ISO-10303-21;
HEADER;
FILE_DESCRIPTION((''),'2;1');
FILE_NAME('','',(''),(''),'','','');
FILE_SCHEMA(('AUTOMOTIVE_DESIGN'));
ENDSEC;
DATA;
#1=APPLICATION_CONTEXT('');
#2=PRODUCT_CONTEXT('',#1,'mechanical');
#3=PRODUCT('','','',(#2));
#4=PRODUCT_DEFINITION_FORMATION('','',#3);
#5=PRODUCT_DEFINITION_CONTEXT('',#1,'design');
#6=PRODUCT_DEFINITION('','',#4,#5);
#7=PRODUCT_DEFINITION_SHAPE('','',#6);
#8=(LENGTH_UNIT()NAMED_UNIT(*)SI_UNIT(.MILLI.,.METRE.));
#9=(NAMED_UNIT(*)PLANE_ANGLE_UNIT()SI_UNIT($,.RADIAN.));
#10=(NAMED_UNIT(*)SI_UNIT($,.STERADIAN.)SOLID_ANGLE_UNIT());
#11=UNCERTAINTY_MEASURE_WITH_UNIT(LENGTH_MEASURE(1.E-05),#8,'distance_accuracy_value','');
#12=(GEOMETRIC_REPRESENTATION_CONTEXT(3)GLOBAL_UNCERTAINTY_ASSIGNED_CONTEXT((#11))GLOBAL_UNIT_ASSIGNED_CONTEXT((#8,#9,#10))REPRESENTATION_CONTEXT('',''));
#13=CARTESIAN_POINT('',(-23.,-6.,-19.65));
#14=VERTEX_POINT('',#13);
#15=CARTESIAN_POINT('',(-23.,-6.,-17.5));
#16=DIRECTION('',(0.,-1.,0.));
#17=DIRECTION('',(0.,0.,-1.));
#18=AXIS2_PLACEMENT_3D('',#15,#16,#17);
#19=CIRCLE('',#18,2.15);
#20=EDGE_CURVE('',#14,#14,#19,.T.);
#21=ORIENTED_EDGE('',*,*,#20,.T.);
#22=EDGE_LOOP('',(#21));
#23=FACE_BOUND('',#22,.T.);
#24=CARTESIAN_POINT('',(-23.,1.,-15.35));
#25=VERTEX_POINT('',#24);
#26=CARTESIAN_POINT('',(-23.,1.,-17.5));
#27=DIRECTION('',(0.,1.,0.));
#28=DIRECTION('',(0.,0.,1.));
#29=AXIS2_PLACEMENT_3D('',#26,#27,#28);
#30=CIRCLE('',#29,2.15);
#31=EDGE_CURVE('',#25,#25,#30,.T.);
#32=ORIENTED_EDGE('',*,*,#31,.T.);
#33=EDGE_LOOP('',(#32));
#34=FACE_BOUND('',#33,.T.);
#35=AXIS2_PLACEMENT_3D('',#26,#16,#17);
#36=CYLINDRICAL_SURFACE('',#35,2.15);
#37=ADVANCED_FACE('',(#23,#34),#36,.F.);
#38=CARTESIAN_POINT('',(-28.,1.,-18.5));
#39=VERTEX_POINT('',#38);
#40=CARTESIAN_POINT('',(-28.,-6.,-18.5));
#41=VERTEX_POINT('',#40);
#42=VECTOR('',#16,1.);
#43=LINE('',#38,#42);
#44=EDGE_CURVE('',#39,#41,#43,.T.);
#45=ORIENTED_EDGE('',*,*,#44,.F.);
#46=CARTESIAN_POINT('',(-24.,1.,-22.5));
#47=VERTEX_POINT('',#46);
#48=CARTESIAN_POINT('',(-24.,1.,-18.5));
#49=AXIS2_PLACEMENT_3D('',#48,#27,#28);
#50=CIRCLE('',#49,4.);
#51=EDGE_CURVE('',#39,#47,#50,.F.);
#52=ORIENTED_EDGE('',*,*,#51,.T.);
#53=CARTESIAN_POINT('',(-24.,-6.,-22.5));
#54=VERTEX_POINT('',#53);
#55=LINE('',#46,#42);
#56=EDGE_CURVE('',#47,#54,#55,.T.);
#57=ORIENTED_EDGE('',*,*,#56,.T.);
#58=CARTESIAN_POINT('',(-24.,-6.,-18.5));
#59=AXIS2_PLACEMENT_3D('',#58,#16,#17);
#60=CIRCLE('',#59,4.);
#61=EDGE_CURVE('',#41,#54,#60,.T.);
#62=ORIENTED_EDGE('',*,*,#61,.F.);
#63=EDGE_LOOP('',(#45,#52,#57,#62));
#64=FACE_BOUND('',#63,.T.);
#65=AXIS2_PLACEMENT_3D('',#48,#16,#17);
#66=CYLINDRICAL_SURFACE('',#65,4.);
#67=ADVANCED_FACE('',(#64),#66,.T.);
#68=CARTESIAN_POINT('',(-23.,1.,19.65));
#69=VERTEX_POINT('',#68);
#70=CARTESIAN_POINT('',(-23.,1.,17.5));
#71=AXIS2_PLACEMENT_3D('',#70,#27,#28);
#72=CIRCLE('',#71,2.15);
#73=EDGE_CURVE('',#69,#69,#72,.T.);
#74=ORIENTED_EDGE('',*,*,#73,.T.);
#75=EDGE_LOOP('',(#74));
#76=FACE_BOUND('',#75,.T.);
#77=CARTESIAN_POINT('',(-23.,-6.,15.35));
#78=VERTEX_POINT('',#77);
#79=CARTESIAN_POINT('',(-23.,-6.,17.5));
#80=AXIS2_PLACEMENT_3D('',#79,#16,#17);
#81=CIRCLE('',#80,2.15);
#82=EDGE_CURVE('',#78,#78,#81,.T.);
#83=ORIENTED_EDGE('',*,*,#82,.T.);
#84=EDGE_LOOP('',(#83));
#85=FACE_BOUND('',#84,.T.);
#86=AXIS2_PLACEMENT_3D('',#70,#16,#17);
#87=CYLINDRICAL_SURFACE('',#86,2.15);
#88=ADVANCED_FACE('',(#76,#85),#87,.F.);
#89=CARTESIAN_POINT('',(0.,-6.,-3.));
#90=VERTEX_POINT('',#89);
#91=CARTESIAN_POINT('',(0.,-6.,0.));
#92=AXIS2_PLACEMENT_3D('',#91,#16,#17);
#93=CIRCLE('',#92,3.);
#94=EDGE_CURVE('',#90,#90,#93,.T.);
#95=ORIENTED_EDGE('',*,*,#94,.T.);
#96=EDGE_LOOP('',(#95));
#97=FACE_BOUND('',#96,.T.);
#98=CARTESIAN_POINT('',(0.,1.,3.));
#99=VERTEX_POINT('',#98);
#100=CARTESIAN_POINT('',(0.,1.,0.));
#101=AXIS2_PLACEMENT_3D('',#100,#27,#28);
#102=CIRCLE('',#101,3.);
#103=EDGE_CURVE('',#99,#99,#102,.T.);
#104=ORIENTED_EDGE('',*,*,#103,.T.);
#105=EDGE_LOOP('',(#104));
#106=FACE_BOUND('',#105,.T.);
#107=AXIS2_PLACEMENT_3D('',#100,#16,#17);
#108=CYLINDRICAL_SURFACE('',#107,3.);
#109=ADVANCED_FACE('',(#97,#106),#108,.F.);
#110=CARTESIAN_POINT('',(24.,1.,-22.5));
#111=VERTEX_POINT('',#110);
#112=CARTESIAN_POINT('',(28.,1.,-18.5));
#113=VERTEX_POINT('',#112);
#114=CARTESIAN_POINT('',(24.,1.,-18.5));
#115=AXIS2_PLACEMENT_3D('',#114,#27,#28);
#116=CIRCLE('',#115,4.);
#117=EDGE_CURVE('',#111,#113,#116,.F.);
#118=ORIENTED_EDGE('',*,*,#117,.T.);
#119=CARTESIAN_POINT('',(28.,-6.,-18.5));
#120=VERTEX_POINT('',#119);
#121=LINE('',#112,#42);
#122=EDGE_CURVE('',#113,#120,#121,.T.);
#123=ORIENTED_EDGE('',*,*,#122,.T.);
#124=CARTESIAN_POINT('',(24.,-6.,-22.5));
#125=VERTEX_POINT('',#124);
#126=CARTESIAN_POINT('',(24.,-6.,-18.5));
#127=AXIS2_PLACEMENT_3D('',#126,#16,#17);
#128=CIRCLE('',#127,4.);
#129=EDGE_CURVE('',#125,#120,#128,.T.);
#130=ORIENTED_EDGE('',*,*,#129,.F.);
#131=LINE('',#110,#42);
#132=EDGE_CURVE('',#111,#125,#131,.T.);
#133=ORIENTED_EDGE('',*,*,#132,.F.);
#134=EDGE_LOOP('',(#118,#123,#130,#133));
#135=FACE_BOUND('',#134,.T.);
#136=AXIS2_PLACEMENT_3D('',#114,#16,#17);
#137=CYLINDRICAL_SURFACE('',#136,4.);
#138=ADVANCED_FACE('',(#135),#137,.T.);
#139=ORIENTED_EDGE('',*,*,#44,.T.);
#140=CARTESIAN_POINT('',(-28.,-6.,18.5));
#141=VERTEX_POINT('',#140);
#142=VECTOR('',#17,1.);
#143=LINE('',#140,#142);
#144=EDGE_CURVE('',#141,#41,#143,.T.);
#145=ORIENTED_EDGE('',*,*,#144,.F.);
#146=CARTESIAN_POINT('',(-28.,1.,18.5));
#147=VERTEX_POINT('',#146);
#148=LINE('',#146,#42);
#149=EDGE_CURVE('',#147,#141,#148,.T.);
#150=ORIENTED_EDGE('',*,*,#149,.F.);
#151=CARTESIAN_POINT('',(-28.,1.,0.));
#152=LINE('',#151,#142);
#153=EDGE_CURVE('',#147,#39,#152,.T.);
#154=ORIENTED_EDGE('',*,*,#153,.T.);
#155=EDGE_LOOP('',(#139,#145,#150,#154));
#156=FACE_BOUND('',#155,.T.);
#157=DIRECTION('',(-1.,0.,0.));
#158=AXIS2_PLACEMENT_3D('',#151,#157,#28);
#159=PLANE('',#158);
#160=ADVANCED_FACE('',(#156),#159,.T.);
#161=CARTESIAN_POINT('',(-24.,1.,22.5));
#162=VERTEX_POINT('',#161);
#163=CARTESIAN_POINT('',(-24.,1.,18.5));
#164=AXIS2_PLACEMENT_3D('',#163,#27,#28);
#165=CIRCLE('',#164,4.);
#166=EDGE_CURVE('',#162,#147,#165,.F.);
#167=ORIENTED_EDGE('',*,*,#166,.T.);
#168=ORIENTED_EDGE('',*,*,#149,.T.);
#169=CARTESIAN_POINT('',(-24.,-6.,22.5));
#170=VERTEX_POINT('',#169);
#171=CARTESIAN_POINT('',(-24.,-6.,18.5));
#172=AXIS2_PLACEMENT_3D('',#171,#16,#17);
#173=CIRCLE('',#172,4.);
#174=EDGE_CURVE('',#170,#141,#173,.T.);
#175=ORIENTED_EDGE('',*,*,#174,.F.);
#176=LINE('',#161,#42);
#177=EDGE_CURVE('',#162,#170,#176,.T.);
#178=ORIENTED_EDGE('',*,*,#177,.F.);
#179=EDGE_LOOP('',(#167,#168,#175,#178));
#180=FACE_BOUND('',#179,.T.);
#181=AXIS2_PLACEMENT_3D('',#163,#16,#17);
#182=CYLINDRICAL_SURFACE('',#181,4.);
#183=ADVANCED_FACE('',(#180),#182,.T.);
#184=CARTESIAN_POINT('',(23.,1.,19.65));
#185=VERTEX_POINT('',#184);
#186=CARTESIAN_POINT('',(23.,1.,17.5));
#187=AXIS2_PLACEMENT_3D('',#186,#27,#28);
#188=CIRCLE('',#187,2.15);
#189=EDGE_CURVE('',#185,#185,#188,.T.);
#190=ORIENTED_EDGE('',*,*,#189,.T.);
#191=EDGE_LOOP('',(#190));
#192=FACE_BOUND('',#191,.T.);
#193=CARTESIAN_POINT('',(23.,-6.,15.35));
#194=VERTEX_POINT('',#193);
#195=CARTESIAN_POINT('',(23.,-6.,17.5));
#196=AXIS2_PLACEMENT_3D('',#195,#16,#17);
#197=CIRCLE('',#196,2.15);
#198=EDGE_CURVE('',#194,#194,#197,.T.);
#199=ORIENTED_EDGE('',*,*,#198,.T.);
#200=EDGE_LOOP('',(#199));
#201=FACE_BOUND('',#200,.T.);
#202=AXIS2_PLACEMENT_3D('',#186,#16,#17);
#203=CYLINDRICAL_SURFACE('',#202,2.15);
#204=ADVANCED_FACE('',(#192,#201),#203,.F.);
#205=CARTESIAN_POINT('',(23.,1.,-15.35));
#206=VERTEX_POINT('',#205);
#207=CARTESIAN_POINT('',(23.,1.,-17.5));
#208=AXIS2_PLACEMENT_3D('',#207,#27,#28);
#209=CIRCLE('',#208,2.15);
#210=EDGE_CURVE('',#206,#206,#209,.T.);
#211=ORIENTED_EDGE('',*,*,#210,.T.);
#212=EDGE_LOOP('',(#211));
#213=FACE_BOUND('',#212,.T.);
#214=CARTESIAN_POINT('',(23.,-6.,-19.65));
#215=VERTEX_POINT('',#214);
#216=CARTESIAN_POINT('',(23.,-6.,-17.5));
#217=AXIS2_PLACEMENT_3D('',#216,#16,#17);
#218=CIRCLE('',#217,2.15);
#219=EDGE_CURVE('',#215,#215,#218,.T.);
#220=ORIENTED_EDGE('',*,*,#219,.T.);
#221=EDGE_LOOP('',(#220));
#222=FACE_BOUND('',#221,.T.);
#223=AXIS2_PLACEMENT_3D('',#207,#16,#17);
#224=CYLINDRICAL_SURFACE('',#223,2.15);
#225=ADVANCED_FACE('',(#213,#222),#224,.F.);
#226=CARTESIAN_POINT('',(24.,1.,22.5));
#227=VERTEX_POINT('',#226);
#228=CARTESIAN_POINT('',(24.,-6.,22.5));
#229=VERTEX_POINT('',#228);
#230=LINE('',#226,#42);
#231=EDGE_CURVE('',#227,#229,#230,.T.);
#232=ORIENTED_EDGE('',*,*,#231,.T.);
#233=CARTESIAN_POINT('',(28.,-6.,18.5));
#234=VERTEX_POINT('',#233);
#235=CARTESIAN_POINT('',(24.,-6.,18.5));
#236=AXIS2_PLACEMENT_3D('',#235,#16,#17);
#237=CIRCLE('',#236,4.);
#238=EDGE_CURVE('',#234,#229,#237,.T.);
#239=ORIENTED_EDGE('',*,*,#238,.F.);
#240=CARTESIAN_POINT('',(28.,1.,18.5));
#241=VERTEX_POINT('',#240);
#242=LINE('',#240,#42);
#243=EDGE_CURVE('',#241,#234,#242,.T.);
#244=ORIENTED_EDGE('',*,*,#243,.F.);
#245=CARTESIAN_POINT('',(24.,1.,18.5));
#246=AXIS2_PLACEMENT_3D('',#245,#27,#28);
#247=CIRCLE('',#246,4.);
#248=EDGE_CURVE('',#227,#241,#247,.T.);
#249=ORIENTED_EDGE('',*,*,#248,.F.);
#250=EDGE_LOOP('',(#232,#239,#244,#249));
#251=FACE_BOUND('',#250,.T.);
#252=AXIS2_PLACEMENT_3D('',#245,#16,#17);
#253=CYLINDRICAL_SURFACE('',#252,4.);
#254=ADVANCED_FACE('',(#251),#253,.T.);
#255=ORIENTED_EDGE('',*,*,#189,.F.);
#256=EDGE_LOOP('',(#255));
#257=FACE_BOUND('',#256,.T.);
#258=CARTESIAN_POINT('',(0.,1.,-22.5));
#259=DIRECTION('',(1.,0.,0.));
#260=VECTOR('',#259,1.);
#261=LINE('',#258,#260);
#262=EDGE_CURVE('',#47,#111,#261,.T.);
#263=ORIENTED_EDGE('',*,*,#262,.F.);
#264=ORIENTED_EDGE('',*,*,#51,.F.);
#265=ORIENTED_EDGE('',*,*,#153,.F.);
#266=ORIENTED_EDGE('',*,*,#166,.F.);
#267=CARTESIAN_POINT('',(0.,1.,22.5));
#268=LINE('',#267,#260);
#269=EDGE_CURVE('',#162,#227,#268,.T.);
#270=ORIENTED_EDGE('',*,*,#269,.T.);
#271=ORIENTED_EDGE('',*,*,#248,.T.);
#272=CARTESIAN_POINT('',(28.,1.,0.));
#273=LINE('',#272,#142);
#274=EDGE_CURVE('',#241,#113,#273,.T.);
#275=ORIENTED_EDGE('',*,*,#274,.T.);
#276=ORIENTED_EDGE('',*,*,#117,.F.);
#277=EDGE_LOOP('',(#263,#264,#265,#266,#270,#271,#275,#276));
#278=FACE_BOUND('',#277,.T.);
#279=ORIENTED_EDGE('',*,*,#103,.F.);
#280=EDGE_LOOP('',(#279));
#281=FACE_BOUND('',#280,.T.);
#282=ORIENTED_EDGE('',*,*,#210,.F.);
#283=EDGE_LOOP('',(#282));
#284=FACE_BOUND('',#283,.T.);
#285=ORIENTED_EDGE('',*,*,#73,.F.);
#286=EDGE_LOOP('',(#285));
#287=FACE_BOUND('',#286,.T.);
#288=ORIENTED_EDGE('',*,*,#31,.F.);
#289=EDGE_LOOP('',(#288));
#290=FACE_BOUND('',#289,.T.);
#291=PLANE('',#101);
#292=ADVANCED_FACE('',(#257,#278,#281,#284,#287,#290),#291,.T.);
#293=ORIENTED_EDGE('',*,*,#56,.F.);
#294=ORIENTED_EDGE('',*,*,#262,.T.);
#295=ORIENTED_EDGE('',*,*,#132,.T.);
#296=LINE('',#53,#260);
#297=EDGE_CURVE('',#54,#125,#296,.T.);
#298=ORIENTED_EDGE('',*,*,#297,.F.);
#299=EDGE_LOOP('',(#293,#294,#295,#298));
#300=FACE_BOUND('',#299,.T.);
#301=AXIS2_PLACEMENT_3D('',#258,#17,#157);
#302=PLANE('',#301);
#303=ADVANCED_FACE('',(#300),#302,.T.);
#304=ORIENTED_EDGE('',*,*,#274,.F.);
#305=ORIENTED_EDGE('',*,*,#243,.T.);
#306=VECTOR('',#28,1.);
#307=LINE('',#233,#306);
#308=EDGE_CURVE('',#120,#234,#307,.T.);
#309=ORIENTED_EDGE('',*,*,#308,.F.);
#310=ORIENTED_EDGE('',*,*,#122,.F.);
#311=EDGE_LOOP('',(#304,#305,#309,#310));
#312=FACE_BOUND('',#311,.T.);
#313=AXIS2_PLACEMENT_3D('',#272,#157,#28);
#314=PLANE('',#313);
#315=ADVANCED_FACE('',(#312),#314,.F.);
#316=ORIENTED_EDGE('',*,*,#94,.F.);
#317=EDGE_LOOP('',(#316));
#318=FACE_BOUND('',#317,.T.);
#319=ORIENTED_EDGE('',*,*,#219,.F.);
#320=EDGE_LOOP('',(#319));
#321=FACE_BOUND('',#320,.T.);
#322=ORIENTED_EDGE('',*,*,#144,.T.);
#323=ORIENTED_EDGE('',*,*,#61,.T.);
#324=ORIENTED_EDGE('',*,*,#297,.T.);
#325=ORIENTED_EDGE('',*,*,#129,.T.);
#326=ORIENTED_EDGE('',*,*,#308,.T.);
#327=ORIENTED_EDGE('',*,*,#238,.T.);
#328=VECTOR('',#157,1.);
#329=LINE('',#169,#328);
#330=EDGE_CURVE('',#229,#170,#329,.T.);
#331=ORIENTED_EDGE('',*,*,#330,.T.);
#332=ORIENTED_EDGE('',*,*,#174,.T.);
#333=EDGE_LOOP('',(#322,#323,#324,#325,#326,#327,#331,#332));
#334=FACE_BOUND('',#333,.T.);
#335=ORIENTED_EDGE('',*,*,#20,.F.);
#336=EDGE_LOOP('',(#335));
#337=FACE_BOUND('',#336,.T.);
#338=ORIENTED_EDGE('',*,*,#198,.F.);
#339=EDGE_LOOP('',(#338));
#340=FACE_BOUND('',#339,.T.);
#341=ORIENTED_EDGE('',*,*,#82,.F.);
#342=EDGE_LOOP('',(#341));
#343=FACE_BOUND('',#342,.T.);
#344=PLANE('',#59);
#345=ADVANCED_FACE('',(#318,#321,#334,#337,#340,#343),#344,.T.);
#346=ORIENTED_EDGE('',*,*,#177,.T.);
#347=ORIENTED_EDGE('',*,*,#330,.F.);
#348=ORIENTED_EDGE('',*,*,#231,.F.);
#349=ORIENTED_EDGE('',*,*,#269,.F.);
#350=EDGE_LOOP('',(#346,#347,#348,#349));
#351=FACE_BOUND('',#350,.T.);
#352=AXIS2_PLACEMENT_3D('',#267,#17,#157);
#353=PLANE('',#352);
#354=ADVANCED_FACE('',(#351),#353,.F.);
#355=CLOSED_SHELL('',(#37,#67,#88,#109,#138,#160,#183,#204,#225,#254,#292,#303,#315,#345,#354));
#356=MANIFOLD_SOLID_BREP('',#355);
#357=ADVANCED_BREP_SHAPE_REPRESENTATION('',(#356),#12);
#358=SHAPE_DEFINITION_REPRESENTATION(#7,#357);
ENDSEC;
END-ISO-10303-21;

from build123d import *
from build123d.topology import SkipClean

# Parameters (mm, degrees)
SKETCH_1_R      = 2.15
SKETCH_1_R_2    = 3
EXTRUDE_1_DEPTH = 1
EXTRUDE_START   = 6
SKETCH_13_R     = 2.15
SKETCH_13_R_2   = 3
EXTRUDE_5_DEPTH = 6


with BuildPart() as part:
    # 草图1 → 凸台-拉伸1 (new body)
    with BuildSketch(Plane(origin=(0, 0, 0), x_dir=(1, 0, 0), z_dir=(0, 1, 0))):
        with BuildLine():
            Line((-24, -22.5), (24, -22.5))
            ThreePointArc((24, -22.5), (26.828427125, -21.328427125), (28, -18.5))
            Line((28, -18.5), (28, 18.5))
            ThreePointArc((28, 18.5), (26.828427125, 21.328427125), (24, 22.5))
            Line((24, 22.5), (-24, 22.5))
            ThreePointArc((-24, 22.5), (-26.828427125, 21.328427125), (-28, 18.5))
            Line((-28, 18.5), (-28, -18.5))
            ThreePointArc((-28, -18.5), (-26.828427125, -21.328427125), (-24, -22.5))
        make_face()
        with Locations(Location((-23, 17.5, 0), (0, 0, 270))):
            Circle(SKETCH_1_R, mode=Mode.SUBTRACT)
        with Locations(Location((-23, -17.5, 0), (0, 0, 270))):
            Circle(SKETCH_1_R, mode=Mode.SUBTRACT)
        with Locations(Location((23, -17.5, 0), (0, 0, 270))):
            Circle(SKETCH_1_R, mode=Mode.SUBTRACT)
        with Locations(Location((23, 17.5, 0), (0, 0, 270))):
            Circle(SKETCH_1_R, mode=Mode.SUBTRACT)
        with Locations(Location((0, 0, 0), (0, 0, 270))):
            Circle(SKETCH_1_R_2, mode=Mode.SUBTRACT)
    extrude(amount=EXTRUDE_1_DEPTH)

    # 草图13 → 凸台-拉伸5 (add)
    with SkipClean():  # the faces are left unmerged after this step: merging them gives an invalid solid
        with BuildSketch(Plane.XZ.offset(EXTRUDE_START)):
            with BuildLine():
                Line((-24, -22.5), (24, -22.5))
                ThreePointArc((24, -22.5), (26.828427125, -21.328427125), (28, -18.5))
                Line((28, -18.5), (28, 18.5))
                ThreePointArc((28, 18.5), (26.828427125, 21.328427125), (24, 22.5))
                Line((24, 22.5), (-24, 22.5))
                ThreePointArc((-24, 22.5), (-26.828427125, 21.328427125), (-28, 18.5))
                Line((-28, 18.5), (-28, -18.5))
                ThreePointArc((-28, -18.5), (-26.828427125, -21.328427125), (-24, -22.5))
            make_face()
            with Locations(Location((-23, 17.5, 0), (0, 0, 270))):
                Circle(SKETCH_13_R, mode=Mode.SUBTRACT)
            with Locations(Location((-23, -17.5, 0), (0, 0, 270))):
                Circle(SKETCH_13_R, mode=Mode.SUBTRACT)
            with Locations(Location((23, -17.5, 0), (0, 0, 270))):
                Circle(SKETCH_13_R, mode=Mode.SUBTRACT)
            with Locations(Location((23, 17.5, 0), (0, 0, 270))):
                Circle(SKETCH_13_R, mode=Mode.SUBTRACT)
            with Locations(Location((0, 0, 0), (0, 0, 270))):
                Circle(SKETCH_13_R_2, mode=Mode.SUBTRACT)
        extrude(amount=-EXTRUDE_5_DEPTH)


solid = part.part
